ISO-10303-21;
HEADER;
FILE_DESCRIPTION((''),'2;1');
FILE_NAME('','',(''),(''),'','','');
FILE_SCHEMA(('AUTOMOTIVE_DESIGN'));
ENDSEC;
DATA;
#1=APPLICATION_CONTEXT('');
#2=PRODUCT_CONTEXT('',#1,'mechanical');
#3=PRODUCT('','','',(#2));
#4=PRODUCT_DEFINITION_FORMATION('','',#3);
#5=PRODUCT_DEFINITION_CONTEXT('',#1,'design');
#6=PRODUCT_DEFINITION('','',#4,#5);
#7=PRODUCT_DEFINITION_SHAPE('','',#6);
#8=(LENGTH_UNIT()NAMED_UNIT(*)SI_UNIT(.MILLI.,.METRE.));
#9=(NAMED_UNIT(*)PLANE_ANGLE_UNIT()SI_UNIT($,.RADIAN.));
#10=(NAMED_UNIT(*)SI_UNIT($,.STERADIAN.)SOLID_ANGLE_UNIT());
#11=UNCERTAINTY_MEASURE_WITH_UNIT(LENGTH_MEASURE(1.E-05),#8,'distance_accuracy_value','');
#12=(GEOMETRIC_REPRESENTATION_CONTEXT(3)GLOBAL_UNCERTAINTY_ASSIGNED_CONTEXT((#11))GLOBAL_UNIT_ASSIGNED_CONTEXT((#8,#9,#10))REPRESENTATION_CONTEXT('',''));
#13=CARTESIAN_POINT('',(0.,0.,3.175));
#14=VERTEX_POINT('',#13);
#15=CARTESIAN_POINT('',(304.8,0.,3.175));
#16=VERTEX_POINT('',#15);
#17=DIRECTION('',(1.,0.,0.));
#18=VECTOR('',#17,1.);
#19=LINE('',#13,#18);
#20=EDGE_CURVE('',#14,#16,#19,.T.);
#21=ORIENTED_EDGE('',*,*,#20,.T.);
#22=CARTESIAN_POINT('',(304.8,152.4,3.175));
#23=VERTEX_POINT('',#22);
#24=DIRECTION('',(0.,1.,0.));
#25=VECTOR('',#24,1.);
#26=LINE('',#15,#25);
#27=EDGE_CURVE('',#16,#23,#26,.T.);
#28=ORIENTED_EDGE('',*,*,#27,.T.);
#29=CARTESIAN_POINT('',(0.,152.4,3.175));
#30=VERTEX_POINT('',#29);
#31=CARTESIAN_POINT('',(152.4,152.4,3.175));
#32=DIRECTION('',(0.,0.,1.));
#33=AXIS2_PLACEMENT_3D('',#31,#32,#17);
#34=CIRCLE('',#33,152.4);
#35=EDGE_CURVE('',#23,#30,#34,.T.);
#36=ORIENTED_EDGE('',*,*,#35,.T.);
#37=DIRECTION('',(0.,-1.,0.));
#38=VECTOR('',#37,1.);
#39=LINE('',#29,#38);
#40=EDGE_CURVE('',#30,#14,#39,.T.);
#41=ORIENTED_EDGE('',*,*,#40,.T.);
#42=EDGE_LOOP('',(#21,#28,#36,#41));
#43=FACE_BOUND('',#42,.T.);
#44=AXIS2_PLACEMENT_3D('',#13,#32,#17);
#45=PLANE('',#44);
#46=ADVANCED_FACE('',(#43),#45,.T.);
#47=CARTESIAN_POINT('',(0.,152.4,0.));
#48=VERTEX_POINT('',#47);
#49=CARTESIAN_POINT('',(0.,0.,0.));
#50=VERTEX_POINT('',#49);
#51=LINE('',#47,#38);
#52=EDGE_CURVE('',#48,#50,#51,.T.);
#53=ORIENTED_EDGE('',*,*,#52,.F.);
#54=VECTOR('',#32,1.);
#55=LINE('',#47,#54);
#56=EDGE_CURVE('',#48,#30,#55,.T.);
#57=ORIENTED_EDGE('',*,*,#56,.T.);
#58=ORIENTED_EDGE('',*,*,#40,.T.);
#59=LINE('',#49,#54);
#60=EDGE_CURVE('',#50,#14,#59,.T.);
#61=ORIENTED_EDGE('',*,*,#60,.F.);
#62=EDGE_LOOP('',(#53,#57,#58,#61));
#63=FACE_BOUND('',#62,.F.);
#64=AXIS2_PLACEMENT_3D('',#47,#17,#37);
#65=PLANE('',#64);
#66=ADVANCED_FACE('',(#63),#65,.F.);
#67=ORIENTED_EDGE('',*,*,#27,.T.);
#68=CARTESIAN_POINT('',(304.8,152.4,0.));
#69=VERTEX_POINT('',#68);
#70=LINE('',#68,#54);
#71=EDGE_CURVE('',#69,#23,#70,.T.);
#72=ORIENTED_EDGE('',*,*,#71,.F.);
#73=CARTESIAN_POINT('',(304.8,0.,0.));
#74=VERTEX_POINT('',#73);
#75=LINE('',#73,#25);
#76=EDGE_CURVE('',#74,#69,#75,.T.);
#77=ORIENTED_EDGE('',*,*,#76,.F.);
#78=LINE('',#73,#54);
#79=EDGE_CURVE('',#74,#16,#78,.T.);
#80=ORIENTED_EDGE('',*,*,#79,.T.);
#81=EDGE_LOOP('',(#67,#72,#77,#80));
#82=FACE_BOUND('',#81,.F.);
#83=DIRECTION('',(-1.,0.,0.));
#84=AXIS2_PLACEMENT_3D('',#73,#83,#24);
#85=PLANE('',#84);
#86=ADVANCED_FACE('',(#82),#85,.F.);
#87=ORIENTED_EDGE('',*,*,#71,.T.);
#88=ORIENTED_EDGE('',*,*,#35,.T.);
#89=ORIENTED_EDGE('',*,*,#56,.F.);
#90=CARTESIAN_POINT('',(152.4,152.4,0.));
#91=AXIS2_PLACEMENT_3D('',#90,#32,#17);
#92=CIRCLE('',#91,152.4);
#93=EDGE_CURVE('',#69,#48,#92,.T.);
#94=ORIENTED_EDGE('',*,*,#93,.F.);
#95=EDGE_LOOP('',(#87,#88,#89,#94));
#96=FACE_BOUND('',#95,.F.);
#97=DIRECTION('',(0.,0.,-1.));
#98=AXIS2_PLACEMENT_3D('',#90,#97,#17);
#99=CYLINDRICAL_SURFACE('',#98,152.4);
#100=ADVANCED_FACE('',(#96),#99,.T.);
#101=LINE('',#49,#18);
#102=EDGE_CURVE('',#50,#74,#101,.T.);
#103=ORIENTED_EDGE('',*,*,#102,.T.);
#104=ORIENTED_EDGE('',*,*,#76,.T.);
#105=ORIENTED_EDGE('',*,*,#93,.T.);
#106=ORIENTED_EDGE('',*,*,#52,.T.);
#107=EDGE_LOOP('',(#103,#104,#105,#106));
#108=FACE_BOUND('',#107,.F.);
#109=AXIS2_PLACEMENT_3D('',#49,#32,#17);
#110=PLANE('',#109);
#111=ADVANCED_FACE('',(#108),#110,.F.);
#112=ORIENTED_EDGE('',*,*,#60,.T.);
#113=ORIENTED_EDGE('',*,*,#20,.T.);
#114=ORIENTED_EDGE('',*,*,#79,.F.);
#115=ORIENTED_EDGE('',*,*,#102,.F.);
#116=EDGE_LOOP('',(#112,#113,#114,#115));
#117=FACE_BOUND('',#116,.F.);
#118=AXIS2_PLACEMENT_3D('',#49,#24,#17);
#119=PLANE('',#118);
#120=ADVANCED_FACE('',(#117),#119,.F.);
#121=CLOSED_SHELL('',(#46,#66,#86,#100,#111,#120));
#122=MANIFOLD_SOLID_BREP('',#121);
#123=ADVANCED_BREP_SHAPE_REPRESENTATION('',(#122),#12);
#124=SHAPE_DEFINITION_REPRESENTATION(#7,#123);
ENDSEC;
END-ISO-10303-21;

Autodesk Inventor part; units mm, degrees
ref_plane "YZ Plane" through (0, 0, 0) normal (1, 0, 0) x (0, 1, 0)
ref_plane "XZ Plane" through (0, 0, 0) normal (0, 1, 0) x (-1, 0, 0)
ref_plane "XY Plane" through (0, 0, 0) normal (0, 0, 1) x (1, 0, 0)
sketch "Sketch1" plane through (0, 0, 0) normal (0, 0, 1) x (1, 0, 0)
  line L0 (0, 0) -> (304.8, 0)
  line L1 (304.8, 0) -> (304.8, 152.4)
  line L2 (0, 152.4) -> (0, 0)
  arc A0 (304.8, 152.4) -> (0, 152.4) centre (152.4, 152.4) ccw
  dimension "d0" = 152.4
  dimension "d1" = 304.8
extrude "Extrusion1" add sketch "Sketch1" along normal blind 3.175
properties part number "polycarb hopper bottom"
